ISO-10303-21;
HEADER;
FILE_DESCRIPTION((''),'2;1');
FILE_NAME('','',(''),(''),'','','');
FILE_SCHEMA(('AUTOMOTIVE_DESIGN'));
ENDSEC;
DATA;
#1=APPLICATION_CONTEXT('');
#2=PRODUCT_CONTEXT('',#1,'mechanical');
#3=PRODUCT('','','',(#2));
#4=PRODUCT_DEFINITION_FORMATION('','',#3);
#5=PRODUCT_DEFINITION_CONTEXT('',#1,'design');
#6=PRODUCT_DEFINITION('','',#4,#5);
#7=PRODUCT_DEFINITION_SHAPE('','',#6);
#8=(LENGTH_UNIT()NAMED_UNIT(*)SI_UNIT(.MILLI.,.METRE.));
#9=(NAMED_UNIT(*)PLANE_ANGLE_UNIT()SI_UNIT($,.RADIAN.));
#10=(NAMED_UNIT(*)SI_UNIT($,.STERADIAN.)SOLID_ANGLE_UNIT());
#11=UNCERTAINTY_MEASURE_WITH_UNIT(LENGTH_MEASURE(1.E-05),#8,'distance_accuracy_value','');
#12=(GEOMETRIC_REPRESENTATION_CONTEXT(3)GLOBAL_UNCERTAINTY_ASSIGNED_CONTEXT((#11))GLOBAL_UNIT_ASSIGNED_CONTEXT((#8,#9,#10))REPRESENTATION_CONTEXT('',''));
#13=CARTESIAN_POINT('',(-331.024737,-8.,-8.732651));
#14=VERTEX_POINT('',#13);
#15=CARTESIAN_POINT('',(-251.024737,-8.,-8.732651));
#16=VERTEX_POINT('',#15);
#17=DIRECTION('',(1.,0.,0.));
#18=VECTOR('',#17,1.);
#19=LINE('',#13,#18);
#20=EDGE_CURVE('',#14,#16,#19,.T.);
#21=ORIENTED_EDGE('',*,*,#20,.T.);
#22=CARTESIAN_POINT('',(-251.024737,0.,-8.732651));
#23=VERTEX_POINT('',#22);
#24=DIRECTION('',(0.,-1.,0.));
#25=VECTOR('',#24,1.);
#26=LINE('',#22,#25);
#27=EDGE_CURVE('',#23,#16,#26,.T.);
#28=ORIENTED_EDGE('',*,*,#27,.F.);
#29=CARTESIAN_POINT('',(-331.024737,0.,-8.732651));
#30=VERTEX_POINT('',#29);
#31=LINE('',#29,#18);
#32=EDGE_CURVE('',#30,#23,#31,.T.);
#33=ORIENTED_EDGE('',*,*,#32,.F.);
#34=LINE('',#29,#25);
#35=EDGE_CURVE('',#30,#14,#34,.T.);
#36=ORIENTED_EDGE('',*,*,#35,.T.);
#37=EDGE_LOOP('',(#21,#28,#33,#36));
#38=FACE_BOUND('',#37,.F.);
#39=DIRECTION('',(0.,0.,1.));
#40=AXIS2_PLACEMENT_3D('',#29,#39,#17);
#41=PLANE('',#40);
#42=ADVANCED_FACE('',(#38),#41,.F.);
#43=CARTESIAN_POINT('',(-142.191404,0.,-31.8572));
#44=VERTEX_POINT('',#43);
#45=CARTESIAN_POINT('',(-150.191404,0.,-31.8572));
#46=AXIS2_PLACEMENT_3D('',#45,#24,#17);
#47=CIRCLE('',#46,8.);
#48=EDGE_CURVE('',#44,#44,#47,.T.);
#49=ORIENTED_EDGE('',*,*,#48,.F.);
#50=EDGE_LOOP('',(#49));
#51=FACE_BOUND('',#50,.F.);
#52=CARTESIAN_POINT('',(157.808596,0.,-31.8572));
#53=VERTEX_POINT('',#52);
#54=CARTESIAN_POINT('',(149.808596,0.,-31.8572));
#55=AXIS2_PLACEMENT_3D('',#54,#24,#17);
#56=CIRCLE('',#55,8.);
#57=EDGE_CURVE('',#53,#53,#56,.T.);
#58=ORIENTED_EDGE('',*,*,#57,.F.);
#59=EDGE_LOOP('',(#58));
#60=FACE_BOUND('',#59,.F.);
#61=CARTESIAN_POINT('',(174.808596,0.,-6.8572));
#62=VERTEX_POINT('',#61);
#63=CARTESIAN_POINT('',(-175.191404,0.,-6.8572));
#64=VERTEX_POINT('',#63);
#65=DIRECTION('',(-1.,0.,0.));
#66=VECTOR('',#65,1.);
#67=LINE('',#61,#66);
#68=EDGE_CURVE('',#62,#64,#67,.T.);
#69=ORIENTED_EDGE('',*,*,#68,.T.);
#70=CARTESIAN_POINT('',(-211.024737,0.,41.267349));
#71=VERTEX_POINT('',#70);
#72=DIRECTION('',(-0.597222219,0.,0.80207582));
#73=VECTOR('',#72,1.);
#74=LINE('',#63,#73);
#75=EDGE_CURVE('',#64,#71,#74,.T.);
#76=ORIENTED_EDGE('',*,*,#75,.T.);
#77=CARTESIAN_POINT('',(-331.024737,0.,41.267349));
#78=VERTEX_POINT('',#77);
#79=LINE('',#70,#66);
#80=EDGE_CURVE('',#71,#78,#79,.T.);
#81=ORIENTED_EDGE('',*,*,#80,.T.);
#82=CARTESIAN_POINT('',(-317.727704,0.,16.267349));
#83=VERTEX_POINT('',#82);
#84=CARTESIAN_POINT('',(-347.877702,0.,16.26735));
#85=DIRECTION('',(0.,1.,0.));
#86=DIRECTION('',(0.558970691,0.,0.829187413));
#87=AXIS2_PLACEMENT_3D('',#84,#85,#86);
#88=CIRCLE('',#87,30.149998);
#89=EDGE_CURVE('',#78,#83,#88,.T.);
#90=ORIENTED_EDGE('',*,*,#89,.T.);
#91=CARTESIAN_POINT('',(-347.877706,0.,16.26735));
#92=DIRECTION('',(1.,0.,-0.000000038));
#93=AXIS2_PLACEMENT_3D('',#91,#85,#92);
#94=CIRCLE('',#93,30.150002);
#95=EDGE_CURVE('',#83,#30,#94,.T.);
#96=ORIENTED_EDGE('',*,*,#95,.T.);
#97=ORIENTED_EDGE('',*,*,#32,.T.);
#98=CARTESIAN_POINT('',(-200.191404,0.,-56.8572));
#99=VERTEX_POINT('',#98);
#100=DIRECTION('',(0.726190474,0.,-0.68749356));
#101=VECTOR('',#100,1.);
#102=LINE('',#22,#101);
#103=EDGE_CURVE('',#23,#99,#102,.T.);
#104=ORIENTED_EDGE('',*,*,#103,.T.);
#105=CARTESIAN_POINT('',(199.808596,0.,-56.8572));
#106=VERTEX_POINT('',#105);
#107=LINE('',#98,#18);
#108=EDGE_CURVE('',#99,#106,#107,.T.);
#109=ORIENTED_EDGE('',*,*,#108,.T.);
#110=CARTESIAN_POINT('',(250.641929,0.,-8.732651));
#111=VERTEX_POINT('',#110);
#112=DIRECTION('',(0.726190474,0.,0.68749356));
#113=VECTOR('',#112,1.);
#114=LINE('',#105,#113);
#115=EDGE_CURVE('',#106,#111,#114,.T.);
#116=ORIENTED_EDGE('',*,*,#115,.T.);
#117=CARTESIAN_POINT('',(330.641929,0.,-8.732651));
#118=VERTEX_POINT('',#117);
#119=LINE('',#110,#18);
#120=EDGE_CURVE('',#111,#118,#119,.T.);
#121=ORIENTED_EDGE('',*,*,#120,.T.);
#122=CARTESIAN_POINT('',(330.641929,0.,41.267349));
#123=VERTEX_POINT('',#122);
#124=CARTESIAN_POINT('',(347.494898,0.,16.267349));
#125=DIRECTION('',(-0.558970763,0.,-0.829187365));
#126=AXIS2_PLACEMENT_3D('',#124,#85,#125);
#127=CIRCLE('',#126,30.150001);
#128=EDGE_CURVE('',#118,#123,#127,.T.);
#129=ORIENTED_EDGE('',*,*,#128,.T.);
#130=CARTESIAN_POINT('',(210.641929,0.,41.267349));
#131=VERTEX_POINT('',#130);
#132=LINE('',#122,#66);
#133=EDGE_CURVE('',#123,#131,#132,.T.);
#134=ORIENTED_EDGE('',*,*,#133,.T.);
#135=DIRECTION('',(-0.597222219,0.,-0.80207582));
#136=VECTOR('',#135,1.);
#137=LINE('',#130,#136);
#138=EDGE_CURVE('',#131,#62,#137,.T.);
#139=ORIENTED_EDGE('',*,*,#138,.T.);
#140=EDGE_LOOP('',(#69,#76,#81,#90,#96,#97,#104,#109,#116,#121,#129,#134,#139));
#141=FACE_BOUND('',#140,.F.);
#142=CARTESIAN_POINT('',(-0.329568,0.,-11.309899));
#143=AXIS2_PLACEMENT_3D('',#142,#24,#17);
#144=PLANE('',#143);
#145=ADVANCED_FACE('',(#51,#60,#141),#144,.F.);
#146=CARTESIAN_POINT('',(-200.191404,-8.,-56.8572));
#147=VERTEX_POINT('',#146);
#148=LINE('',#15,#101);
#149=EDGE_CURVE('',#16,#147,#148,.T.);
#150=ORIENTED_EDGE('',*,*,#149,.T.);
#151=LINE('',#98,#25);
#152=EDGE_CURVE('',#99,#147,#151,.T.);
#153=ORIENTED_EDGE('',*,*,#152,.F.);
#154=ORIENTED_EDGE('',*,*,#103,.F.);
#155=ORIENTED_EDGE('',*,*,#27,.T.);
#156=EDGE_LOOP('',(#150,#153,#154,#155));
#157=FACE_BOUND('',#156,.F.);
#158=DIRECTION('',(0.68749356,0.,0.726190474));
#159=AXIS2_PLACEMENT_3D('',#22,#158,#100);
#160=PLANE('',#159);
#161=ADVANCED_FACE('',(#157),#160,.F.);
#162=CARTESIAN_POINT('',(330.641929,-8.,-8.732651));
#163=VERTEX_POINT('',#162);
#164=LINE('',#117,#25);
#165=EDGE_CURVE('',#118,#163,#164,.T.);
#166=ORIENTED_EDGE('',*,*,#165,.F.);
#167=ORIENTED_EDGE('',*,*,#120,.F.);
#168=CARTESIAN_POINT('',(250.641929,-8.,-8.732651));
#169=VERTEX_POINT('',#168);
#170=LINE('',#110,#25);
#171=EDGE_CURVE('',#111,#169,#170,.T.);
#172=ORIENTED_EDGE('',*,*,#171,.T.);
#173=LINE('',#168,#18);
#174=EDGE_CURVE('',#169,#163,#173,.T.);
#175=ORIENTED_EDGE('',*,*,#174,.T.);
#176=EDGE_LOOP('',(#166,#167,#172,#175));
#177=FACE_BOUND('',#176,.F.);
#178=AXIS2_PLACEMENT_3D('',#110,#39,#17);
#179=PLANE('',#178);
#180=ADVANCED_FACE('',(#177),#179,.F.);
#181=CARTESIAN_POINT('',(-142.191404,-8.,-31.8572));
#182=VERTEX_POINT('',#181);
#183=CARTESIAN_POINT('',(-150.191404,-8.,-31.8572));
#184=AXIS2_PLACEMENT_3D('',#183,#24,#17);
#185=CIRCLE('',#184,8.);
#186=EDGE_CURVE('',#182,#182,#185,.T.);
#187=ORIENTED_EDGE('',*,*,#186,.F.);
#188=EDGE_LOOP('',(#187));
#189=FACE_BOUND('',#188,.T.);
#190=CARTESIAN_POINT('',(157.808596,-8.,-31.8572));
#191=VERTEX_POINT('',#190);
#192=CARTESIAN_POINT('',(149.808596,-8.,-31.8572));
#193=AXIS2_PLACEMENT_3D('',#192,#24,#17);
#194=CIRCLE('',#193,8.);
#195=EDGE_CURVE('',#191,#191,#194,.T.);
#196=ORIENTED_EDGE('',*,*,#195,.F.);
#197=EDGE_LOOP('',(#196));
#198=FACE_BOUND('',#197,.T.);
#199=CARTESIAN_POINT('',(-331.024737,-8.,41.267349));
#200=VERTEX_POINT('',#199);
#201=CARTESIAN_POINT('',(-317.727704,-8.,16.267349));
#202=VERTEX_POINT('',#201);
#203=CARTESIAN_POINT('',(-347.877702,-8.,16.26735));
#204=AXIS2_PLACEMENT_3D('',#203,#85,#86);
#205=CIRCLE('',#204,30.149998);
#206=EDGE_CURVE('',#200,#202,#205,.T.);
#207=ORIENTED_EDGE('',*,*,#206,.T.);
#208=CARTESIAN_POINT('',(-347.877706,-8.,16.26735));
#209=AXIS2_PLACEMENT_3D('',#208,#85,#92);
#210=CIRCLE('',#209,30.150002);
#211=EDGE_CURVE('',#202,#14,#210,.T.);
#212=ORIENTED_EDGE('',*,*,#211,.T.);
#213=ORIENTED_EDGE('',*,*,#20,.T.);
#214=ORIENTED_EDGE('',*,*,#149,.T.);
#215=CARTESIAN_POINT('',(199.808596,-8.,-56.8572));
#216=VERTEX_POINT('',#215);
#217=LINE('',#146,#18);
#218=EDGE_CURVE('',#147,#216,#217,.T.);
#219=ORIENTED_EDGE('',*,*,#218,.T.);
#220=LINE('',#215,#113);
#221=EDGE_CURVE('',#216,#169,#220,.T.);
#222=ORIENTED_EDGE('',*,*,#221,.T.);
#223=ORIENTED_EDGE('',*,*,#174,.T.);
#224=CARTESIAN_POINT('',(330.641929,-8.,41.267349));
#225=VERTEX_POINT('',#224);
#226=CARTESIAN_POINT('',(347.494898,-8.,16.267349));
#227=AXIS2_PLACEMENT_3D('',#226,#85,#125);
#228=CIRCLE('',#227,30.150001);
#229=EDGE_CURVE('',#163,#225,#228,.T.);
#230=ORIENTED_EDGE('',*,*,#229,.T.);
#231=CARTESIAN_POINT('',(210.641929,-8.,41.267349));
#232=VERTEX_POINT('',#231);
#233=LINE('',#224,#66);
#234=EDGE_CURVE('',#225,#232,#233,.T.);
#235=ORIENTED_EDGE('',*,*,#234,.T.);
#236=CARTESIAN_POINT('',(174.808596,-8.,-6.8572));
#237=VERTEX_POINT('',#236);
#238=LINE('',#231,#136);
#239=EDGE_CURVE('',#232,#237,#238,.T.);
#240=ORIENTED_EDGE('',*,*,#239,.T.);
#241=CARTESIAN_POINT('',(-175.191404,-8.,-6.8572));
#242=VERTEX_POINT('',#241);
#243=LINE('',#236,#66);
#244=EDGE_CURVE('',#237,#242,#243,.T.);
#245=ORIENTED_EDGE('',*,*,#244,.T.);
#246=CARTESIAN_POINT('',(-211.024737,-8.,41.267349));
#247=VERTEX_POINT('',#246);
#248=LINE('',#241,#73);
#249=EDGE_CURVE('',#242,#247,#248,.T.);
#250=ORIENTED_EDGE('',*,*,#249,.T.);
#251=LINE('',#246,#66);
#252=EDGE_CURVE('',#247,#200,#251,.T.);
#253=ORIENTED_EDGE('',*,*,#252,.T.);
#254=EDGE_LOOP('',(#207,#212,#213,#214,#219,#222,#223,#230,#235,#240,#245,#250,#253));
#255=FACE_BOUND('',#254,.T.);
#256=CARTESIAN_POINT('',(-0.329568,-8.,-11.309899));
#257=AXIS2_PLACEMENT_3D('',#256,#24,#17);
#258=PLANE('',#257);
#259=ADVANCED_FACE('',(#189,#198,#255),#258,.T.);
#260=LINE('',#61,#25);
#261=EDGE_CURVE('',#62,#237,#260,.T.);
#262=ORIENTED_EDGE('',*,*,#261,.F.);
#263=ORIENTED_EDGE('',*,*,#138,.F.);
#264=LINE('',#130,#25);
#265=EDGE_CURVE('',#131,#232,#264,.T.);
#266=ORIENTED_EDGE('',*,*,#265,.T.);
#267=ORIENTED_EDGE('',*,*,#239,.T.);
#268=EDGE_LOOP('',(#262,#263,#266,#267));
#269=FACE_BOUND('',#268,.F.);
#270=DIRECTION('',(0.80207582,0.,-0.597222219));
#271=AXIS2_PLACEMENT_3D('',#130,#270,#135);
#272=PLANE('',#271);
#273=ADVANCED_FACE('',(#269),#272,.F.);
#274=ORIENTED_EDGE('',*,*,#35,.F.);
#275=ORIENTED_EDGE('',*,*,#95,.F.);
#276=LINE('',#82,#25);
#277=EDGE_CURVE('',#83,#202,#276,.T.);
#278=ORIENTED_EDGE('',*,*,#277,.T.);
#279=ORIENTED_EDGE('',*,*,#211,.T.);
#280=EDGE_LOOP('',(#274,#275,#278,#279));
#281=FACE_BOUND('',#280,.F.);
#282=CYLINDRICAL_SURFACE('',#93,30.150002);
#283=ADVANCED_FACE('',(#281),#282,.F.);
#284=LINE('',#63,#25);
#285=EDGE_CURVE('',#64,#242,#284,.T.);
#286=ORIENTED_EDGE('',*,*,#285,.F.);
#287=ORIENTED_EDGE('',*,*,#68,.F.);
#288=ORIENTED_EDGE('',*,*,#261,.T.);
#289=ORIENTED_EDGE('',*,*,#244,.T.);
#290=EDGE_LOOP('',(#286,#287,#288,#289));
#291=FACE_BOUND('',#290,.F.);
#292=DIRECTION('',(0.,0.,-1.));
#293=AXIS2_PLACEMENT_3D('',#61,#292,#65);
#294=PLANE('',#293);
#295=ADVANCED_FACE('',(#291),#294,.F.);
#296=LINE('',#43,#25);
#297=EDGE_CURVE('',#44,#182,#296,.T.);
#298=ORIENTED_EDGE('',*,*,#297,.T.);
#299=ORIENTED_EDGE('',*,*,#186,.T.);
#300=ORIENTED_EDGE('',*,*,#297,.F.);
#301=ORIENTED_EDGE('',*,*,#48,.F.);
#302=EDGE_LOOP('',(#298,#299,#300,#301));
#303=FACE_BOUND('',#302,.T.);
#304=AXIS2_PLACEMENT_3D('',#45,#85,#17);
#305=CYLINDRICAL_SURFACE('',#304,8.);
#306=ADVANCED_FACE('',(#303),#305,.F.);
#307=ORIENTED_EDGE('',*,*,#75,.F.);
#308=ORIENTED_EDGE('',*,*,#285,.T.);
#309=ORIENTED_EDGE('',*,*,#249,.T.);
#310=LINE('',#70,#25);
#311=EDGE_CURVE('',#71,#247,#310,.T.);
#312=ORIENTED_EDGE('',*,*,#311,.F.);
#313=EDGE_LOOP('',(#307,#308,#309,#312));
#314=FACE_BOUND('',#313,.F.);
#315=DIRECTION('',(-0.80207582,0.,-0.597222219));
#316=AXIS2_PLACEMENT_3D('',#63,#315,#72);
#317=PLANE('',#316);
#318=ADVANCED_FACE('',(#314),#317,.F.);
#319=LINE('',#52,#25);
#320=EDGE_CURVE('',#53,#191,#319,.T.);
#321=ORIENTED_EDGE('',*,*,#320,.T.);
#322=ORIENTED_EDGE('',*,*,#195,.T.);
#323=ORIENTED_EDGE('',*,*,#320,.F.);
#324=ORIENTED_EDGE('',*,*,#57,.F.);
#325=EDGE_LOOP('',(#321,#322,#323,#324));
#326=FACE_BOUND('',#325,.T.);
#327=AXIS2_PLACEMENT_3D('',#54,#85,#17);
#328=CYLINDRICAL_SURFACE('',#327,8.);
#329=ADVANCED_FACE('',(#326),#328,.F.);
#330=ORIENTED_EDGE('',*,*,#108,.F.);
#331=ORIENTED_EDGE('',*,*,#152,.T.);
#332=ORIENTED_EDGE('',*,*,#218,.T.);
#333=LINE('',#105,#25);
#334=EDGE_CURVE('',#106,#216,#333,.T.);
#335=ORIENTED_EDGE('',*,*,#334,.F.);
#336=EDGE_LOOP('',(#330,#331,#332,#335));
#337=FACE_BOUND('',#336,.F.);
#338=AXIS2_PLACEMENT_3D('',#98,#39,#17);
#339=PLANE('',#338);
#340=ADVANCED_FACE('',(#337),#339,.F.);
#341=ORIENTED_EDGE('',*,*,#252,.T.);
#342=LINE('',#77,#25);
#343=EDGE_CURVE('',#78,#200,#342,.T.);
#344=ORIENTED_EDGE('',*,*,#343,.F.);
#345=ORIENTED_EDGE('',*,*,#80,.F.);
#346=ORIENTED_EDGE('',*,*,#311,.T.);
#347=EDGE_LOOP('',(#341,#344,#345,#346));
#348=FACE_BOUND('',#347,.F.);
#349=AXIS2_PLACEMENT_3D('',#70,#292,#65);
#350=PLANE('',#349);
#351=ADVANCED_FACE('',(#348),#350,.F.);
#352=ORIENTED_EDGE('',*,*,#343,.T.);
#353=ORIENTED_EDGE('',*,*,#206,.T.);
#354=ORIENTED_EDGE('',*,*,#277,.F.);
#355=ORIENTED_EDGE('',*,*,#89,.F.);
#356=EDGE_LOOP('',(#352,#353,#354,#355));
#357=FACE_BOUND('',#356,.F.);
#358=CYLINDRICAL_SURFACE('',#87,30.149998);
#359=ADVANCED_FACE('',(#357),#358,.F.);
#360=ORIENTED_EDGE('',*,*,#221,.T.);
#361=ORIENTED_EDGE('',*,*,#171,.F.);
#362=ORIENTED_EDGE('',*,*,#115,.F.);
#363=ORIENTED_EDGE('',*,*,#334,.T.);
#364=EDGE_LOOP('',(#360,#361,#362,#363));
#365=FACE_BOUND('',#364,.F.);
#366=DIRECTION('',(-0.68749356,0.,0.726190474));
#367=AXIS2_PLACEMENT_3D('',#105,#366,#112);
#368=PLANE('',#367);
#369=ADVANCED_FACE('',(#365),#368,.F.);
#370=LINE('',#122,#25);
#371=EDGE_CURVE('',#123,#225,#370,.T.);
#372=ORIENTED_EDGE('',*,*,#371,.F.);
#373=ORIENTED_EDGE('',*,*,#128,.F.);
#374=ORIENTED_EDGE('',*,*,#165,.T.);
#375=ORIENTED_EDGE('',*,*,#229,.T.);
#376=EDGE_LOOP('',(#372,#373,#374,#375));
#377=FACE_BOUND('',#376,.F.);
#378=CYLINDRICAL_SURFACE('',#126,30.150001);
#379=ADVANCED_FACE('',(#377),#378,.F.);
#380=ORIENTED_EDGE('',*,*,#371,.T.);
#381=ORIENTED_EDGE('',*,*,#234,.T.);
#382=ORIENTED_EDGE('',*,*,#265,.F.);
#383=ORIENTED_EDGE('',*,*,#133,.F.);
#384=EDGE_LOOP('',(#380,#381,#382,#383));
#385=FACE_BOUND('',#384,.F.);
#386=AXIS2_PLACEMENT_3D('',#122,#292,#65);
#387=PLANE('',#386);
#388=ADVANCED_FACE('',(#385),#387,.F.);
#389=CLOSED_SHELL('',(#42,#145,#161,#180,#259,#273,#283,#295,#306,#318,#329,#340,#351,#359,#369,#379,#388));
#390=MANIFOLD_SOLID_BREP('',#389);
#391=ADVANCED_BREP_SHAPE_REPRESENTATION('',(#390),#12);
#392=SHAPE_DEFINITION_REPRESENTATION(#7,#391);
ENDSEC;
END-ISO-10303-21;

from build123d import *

# Parameters (mm, degrees)
F0_R     = 8
F1_DEPTH = 8


with BuildPart() as f1:
    # F0 (on Front) → F1 (new body)
    with BuildSketch(Plane.XZ):
        with BuildLine():
            Line((-251.024737, -8.732651), (-200.191404, -56.8572))
            Line((-200.191404, -56.8572), (199.808596, -56.8572))
            Line((199.808596, -56.8572), (250.641929, -8.732651))
            Line((250.641929, -8.732651), (330.641929, -8.732651))
            ThreePointArc((330.641929, -8.732651), (317.344897, 16.267349), (330.641929, 41.267349))
            Line((330.641929, 41.267349), (210.641929, 41.267349))
            Line((210.641929, 41.267349), (174.808596, -6.8572))
            Line((174.808596, -6.8572), (-175.191404, -6.8572))
            Line((-175.191404, -6.8572), (-211.024737, 41.267349))
            Line((-211.024737, 41.267349), (-331.024737, 41.267349))
            ThreePointArc((-331.024737, 41.267349), (-321.258731, 30.425484), (-317.727704, 16.267349))
            ThreePointArc((-317.727704, 16.267349), (-321.258731, 2.109215), (-331.024737, -8.732651))
            Line((-331.024737, -8.732651), (-251.024737, -8.732651))
        make_face()
        with Locations((-150.191404, -31.8572)):
            Circle(F0_R, mode=Mode.SUBTRACT)
        with Locations((149.808596, -31.8572)):
            Circle(F0_R, mode=Mode.SUBTRACT)
    extrude(amount=F1_DEPTH)


solid = f1.part
